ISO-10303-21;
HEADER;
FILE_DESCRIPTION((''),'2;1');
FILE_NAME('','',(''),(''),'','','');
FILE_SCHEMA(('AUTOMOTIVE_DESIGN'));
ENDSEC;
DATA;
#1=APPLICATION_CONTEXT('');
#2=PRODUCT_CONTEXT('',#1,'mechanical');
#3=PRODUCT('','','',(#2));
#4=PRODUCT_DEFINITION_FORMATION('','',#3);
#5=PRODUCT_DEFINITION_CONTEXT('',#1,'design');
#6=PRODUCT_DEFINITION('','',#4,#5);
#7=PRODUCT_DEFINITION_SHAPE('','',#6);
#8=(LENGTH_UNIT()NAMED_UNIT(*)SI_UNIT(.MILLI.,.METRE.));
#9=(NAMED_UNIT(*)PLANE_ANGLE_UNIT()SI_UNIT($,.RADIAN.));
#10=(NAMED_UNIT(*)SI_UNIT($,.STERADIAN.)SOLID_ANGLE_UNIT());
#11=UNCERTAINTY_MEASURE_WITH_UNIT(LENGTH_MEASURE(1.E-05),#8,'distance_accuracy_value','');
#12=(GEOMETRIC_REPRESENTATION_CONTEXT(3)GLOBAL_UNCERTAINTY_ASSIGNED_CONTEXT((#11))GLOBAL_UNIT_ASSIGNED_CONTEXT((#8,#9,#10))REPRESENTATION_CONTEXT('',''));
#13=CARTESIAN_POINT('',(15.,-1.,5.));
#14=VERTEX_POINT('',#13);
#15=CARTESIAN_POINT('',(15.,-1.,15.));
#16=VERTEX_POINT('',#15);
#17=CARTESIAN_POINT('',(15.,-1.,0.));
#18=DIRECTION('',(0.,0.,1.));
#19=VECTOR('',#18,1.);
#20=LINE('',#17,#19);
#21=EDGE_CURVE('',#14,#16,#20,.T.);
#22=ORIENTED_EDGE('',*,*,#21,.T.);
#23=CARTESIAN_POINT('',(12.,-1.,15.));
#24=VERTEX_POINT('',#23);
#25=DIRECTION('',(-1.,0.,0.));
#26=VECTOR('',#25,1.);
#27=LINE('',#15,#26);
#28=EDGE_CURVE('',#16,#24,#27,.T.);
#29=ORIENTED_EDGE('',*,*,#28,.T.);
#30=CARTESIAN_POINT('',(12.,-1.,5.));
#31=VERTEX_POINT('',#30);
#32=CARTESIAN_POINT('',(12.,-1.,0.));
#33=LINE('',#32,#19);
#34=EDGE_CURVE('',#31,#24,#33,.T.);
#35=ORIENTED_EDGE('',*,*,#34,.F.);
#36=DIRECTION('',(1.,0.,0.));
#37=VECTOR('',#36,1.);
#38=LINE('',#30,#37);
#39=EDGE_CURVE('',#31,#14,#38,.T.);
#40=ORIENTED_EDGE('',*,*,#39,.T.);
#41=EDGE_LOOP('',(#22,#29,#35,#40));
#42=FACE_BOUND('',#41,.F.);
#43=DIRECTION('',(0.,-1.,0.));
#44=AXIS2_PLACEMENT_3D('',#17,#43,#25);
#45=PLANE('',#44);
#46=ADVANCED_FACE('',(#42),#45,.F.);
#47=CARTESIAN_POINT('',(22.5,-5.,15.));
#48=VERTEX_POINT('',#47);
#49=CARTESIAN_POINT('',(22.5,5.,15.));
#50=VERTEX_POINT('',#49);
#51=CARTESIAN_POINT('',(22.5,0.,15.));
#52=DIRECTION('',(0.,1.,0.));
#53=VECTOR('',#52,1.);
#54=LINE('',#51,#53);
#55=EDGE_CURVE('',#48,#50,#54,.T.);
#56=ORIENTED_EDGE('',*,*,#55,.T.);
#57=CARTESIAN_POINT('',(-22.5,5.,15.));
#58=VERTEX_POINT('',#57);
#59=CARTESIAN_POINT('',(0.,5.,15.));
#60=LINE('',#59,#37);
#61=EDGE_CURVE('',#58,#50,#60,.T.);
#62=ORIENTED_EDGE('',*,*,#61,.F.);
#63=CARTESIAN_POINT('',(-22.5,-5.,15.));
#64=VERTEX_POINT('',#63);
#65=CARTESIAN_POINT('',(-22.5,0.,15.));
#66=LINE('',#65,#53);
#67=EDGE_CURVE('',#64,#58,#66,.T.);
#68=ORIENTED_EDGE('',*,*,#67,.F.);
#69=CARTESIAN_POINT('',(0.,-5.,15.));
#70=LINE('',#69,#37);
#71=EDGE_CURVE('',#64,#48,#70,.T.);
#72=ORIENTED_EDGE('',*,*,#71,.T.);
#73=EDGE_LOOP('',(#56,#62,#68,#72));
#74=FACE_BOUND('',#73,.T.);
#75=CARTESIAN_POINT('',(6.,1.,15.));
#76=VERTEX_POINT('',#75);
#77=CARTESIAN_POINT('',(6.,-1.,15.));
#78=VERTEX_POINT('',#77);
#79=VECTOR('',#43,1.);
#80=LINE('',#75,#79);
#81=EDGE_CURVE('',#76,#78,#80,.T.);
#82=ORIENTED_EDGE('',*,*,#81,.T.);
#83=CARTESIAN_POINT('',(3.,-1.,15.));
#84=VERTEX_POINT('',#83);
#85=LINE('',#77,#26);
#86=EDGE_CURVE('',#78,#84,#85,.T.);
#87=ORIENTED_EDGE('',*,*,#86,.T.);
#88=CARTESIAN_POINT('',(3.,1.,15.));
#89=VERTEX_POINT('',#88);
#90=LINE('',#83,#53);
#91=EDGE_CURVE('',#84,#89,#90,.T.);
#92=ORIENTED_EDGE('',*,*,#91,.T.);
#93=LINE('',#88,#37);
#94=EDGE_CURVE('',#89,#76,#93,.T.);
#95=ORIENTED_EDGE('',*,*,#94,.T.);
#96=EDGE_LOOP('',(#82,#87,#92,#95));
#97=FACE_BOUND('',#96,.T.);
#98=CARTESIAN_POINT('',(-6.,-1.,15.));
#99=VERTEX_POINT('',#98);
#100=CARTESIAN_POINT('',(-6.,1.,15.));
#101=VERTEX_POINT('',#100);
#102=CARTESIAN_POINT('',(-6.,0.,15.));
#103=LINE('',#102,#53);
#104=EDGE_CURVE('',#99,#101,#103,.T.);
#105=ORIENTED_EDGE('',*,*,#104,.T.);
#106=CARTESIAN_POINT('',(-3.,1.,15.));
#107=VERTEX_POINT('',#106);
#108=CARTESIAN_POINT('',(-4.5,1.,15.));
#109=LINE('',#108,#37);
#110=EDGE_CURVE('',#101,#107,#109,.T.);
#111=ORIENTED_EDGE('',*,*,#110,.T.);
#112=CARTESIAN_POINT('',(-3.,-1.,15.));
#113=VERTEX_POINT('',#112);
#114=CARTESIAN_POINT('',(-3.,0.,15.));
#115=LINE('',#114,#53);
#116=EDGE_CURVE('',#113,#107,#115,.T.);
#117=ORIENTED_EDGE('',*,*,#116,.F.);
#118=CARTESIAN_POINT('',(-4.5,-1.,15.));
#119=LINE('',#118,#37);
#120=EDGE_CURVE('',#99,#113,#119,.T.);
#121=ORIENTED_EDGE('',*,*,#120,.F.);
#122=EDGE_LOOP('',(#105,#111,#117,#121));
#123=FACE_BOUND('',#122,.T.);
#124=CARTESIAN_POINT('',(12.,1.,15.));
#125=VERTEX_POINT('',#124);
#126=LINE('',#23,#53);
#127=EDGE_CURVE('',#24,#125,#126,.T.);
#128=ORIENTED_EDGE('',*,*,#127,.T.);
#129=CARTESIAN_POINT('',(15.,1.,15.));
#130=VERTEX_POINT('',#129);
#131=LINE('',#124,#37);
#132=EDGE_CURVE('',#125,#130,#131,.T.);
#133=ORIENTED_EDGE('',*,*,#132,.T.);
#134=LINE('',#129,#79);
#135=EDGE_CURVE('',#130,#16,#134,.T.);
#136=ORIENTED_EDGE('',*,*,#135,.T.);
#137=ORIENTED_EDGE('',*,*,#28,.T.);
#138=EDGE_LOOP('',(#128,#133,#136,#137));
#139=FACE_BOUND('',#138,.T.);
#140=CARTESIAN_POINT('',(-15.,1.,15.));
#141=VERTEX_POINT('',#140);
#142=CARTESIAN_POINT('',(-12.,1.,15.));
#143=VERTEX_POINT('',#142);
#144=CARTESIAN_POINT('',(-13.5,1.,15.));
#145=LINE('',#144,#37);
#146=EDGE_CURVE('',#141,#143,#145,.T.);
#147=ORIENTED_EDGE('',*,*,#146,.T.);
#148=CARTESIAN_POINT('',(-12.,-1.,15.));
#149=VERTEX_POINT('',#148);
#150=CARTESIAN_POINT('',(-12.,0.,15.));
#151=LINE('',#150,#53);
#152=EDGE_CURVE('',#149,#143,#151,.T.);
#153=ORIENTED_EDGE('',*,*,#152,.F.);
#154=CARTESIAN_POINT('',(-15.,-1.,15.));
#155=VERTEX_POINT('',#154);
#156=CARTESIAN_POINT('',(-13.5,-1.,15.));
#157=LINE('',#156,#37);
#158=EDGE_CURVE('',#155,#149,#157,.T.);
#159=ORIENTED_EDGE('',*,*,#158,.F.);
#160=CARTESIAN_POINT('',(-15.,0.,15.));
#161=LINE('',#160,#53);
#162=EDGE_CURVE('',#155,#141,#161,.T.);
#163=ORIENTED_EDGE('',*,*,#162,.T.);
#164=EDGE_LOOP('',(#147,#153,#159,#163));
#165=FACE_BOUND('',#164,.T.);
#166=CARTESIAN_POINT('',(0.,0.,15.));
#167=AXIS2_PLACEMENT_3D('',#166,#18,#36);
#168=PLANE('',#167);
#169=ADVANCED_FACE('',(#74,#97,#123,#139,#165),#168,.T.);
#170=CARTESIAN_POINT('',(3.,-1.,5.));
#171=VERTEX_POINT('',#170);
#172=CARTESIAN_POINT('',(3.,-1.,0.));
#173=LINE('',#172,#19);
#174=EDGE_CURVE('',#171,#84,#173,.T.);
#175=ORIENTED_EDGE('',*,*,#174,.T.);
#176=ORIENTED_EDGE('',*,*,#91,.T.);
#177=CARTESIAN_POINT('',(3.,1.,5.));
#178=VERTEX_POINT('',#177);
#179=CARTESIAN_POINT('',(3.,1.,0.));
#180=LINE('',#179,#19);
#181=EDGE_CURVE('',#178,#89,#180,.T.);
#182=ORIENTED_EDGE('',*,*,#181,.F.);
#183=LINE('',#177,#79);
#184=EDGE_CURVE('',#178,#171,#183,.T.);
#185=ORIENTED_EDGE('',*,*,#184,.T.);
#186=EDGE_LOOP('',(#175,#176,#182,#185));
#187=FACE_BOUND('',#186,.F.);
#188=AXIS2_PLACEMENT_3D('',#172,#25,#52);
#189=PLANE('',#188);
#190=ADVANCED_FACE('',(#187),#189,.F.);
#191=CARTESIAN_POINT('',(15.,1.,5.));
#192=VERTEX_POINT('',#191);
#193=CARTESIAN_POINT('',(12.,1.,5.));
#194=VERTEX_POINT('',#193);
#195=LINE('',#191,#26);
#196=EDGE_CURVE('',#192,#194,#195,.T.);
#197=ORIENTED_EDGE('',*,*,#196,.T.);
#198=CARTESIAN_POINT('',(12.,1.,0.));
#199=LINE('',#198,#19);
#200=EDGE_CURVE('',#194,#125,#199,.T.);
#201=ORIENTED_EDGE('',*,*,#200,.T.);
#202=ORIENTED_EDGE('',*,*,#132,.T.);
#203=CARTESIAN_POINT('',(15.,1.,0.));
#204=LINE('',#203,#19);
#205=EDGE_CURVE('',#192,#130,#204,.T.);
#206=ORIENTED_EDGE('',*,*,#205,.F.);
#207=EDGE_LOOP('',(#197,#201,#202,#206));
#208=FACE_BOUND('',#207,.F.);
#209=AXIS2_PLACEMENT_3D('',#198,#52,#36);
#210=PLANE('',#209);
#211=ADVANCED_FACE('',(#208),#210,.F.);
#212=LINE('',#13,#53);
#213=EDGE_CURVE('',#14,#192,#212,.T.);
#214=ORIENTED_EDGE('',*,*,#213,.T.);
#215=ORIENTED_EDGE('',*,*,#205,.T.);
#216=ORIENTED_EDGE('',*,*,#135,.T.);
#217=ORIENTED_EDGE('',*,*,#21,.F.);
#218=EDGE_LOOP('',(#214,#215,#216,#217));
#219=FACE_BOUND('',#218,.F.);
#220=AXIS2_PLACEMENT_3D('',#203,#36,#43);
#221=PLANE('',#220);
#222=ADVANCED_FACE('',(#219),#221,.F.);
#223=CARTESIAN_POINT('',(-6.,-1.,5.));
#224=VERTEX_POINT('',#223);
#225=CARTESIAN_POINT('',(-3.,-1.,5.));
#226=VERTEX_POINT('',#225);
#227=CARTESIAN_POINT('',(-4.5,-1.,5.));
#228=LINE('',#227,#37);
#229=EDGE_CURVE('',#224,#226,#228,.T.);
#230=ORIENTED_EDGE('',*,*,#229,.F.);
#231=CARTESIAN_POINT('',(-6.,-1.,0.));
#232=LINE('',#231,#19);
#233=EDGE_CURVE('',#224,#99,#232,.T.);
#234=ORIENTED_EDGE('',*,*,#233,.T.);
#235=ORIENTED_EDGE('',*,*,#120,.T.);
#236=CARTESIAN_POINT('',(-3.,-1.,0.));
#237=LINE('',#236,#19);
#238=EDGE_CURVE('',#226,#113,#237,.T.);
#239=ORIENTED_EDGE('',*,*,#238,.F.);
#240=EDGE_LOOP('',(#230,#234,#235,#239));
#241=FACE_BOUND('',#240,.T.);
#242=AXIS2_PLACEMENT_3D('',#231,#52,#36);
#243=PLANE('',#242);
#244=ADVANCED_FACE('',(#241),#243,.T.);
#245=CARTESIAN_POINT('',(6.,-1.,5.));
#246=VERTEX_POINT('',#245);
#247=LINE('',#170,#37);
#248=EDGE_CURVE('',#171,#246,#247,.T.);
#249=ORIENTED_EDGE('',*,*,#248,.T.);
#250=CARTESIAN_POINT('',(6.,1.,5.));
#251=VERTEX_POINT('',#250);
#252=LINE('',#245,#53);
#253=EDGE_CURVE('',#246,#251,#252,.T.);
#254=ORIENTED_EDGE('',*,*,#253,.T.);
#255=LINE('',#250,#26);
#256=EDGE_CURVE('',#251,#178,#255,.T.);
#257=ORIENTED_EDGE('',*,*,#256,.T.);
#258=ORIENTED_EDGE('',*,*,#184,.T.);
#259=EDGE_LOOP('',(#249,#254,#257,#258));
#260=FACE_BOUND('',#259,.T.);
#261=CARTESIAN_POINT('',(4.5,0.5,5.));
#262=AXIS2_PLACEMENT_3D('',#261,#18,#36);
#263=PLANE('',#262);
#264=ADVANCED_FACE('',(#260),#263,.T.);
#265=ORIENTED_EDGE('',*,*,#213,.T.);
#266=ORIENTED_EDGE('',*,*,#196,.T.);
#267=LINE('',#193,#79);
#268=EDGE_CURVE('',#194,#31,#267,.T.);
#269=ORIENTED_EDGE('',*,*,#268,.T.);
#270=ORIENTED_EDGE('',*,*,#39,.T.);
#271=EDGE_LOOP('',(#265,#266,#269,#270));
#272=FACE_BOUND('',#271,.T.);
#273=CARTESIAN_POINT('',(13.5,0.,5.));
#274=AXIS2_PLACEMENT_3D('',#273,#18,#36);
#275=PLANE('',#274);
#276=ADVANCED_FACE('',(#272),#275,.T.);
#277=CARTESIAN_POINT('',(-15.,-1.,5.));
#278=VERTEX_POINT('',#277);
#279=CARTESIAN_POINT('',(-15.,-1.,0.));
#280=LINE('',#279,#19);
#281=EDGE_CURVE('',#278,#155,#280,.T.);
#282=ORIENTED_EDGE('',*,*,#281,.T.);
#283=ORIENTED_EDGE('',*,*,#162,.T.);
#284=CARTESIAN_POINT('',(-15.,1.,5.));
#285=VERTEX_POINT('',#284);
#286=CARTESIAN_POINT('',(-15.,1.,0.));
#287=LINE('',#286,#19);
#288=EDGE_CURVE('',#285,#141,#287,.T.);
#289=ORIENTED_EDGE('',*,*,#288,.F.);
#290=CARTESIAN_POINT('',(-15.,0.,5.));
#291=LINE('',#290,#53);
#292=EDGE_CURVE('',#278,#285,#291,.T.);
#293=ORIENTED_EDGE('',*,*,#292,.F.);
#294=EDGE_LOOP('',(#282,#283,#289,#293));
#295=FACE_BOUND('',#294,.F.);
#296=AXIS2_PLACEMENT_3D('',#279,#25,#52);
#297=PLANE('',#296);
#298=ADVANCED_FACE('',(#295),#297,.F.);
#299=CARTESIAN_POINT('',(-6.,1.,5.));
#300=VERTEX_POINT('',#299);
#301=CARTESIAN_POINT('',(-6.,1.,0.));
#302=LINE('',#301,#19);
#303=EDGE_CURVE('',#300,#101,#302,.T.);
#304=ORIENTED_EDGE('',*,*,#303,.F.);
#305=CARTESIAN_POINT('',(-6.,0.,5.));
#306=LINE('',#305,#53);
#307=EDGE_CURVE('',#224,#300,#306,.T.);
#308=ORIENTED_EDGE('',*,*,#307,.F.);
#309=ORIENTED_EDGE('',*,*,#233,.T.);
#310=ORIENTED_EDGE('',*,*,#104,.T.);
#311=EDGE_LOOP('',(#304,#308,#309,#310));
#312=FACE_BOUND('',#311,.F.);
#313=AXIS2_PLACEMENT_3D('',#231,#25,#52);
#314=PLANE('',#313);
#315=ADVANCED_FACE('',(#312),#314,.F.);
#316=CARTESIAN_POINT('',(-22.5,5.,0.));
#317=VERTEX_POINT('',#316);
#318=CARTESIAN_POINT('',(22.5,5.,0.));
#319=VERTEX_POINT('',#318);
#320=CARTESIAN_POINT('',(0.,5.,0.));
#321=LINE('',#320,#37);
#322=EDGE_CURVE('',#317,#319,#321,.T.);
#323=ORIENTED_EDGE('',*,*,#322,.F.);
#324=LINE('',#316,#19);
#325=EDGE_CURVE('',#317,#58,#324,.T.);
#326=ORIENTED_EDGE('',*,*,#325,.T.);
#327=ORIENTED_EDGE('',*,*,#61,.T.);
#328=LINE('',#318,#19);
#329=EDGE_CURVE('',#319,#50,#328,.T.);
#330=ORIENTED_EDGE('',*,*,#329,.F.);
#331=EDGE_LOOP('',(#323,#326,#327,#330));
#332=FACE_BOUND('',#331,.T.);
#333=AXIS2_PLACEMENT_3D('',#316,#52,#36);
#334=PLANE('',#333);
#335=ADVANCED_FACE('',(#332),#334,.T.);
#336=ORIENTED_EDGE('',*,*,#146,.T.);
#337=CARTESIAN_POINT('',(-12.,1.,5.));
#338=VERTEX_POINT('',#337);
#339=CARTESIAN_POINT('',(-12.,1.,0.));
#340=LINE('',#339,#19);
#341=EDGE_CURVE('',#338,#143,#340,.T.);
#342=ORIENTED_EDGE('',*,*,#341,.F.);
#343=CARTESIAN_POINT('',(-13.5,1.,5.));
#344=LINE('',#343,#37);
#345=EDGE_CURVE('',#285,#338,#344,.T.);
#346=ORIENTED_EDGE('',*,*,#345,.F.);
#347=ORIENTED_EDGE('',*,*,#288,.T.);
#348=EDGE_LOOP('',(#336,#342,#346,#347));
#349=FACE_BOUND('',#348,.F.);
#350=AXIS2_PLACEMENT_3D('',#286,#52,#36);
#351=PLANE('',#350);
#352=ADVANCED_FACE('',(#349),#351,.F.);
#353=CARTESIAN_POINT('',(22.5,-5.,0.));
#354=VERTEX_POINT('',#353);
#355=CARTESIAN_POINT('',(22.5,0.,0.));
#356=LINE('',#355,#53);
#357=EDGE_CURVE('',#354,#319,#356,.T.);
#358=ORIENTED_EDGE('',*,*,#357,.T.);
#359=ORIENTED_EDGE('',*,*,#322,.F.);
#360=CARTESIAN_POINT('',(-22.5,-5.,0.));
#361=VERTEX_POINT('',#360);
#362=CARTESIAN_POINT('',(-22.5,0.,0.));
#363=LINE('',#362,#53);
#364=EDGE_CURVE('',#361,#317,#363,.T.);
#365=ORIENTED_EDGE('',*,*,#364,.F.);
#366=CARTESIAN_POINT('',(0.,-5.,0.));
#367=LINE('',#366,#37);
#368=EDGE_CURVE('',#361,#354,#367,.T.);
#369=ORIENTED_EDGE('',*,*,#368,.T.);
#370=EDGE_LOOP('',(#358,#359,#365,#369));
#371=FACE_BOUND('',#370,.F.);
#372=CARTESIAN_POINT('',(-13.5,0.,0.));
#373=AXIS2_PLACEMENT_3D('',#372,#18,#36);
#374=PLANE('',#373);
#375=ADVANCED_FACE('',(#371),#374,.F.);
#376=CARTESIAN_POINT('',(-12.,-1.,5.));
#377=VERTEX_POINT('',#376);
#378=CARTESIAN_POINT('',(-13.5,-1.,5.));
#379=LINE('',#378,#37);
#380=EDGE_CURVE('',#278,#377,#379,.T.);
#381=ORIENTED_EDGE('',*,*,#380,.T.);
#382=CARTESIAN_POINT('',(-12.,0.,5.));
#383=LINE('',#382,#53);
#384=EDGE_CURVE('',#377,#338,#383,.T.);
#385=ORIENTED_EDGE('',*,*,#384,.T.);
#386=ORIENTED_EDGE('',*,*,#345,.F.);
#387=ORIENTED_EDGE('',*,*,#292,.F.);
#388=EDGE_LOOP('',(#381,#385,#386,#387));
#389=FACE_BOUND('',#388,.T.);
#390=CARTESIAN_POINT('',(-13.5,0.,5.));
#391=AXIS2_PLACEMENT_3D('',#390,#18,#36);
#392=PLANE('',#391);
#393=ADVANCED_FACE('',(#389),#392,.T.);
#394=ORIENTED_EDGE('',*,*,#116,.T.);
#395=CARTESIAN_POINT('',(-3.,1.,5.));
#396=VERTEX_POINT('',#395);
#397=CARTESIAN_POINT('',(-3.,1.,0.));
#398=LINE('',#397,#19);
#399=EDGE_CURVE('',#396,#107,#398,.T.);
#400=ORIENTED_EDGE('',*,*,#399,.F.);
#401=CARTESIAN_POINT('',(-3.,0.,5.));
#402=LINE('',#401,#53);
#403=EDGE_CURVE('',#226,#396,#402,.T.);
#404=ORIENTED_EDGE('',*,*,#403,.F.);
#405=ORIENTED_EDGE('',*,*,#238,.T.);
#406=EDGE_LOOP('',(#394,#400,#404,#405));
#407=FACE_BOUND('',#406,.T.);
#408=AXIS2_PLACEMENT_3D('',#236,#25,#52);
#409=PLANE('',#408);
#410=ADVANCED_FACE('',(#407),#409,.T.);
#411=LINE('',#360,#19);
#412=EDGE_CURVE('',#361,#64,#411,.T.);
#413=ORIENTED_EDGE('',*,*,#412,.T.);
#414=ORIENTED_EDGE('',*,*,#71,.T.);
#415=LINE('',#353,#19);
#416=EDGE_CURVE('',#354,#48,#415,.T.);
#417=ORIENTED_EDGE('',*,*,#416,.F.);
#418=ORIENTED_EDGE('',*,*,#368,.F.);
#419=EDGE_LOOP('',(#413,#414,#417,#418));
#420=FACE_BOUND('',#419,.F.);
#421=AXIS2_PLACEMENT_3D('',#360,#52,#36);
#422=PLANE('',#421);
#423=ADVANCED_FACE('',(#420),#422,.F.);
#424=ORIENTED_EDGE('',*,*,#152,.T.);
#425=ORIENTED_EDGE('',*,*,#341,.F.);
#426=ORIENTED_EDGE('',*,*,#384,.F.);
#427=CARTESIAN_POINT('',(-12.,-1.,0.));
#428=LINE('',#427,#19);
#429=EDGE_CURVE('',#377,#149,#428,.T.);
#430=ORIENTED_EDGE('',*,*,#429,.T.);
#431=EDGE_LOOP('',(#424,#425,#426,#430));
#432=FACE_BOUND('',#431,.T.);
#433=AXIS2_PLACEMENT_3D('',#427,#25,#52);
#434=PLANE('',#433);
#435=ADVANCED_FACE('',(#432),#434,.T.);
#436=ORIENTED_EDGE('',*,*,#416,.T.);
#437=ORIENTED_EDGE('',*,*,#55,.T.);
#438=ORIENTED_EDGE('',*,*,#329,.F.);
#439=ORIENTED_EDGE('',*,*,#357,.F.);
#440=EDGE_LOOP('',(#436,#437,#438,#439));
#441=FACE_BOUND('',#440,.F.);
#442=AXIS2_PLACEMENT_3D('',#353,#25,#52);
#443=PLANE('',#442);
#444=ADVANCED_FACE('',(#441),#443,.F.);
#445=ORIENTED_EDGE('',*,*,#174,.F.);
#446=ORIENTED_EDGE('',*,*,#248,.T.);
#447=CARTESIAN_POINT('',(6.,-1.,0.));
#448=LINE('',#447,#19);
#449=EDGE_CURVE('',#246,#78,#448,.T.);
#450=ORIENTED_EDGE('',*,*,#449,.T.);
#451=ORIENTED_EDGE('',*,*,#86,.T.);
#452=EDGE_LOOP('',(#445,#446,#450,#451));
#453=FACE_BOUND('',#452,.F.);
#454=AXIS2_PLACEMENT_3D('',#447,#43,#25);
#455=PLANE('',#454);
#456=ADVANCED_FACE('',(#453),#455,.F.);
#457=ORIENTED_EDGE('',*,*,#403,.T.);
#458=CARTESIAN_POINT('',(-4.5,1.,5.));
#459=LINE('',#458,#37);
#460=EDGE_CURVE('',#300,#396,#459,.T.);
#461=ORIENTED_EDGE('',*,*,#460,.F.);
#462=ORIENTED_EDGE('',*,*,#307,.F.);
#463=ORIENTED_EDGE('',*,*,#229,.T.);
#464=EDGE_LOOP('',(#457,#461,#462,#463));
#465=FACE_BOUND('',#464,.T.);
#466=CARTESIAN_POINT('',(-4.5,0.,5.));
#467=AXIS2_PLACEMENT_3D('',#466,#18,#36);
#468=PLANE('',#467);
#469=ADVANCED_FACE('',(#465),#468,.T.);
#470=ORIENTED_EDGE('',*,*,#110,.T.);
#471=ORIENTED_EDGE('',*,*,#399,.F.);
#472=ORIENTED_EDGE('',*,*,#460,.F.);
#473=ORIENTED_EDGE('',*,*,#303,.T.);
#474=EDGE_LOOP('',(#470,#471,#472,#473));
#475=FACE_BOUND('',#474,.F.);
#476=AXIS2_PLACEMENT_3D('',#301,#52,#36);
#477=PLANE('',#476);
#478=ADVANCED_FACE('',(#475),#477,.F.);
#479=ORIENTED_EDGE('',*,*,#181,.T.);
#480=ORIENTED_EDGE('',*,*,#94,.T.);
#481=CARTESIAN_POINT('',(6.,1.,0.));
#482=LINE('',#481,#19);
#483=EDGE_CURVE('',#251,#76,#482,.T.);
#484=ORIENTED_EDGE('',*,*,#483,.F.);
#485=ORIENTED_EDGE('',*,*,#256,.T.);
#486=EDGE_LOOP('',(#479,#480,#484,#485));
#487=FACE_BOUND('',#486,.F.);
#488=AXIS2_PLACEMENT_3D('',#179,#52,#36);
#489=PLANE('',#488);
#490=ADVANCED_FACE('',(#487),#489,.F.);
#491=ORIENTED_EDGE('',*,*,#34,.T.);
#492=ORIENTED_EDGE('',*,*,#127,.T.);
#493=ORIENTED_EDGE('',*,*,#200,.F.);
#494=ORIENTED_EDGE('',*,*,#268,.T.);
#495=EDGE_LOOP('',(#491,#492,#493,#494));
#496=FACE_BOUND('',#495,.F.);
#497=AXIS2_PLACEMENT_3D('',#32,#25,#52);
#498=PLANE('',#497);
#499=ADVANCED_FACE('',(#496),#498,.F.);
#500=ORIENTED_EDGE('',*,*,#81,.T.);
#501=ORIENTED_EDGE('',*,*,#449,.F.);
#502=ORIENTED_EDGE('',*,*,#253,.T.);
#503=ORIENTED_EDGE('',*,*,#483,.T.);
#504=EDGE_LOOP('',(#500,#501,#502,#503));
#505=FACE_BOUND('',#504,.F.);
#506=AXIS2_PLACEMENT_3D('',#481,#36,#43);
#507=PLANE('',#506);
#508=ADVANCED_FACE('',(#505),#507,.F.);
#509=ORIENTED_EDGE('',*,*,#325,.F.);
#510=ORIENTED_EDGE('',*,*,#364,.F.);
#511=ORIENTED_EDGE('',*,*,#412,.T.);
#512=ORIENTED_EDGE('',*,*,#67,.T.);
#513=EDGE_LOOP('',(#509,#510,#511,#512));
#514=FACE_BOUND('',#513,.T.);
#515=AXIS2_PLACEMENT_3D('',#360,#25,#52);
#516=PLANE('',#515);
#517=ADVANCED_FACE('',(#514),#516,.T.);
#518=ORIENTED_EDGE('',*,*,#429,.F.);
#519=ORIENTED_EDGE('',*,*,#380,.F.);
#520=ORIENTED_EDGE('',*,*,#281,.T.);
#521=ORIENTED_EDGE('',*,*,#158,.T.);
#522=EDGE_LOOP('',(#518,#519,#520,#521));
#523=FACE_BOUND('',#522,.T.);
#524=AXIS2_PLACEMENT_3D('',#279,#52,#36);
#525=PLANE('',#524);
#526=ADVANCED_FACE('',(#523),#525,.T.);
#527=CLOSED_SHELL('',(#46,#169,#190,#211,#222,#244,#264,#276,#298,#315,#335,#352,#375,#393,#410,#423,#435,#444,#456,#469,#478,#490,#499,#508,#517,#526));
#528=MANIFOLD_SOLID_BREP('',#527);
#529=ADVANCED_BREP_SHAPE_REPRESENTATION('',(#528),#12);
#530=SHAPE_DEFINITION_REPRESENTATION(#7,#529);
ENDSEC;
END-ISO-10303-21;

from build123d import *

# Parameters (mm, degrees)
F0_W     = 45
F0_H     = 10
F0_W_2   = 3
F0_H_2   = 2
F1_DEPTH = 15
F2_DEPTH = 5


with BuildPart() as f1:
    # F0 (on Top) → F1 (new body)
    with BuildSketch(Plane.XY):
        Rectangle(F0_W, F0_H)
        with Locations((-13.5, 0)):
            Rectangle(F0_W_2, F0_H_2, mode=Mode.SUBTRACT)
        with Locations((-4.5, 0)):
            Rectangle(F0_W_2, F0_H_2, mode=Mode.SUBTRACT)
        Polygon((3, -1), (3, 0), (3, 1), (6, 1), (6, 0), (6, -1), align=None, mode=Mode.SUBTRACT)
        Polygon((12, -1), (12, 0), (12, 1), (15, 1), (15, -1), align=None, mode=Mode.SUBTRACT)
    extrude(amount=F1_DEPTH)

    # F0 (on Top) → F2 (join)
    with BuildSketch(Plane.XY):
        with Locations((-13.5, 0)):
            Rectangle(F0_W_2, F0_H_2)
        with Locations((-4.5, 0)):
            Rectangle(F0_W_2, F0_H_2)
        Polygon((3, 1), (3, 0), (4.5, 0), (6, 0), (6, 1), align=None)
        Polygon((4.5, 0), (3, 0), (3, -1), (6, -1), (6, 0), align=None)
        Polygon((12, 1), (12, 0), (12, -1), (15, -1), (15, 1), align=None)
    extrude(amount=F2_DEPTH)


solid = f1.part
